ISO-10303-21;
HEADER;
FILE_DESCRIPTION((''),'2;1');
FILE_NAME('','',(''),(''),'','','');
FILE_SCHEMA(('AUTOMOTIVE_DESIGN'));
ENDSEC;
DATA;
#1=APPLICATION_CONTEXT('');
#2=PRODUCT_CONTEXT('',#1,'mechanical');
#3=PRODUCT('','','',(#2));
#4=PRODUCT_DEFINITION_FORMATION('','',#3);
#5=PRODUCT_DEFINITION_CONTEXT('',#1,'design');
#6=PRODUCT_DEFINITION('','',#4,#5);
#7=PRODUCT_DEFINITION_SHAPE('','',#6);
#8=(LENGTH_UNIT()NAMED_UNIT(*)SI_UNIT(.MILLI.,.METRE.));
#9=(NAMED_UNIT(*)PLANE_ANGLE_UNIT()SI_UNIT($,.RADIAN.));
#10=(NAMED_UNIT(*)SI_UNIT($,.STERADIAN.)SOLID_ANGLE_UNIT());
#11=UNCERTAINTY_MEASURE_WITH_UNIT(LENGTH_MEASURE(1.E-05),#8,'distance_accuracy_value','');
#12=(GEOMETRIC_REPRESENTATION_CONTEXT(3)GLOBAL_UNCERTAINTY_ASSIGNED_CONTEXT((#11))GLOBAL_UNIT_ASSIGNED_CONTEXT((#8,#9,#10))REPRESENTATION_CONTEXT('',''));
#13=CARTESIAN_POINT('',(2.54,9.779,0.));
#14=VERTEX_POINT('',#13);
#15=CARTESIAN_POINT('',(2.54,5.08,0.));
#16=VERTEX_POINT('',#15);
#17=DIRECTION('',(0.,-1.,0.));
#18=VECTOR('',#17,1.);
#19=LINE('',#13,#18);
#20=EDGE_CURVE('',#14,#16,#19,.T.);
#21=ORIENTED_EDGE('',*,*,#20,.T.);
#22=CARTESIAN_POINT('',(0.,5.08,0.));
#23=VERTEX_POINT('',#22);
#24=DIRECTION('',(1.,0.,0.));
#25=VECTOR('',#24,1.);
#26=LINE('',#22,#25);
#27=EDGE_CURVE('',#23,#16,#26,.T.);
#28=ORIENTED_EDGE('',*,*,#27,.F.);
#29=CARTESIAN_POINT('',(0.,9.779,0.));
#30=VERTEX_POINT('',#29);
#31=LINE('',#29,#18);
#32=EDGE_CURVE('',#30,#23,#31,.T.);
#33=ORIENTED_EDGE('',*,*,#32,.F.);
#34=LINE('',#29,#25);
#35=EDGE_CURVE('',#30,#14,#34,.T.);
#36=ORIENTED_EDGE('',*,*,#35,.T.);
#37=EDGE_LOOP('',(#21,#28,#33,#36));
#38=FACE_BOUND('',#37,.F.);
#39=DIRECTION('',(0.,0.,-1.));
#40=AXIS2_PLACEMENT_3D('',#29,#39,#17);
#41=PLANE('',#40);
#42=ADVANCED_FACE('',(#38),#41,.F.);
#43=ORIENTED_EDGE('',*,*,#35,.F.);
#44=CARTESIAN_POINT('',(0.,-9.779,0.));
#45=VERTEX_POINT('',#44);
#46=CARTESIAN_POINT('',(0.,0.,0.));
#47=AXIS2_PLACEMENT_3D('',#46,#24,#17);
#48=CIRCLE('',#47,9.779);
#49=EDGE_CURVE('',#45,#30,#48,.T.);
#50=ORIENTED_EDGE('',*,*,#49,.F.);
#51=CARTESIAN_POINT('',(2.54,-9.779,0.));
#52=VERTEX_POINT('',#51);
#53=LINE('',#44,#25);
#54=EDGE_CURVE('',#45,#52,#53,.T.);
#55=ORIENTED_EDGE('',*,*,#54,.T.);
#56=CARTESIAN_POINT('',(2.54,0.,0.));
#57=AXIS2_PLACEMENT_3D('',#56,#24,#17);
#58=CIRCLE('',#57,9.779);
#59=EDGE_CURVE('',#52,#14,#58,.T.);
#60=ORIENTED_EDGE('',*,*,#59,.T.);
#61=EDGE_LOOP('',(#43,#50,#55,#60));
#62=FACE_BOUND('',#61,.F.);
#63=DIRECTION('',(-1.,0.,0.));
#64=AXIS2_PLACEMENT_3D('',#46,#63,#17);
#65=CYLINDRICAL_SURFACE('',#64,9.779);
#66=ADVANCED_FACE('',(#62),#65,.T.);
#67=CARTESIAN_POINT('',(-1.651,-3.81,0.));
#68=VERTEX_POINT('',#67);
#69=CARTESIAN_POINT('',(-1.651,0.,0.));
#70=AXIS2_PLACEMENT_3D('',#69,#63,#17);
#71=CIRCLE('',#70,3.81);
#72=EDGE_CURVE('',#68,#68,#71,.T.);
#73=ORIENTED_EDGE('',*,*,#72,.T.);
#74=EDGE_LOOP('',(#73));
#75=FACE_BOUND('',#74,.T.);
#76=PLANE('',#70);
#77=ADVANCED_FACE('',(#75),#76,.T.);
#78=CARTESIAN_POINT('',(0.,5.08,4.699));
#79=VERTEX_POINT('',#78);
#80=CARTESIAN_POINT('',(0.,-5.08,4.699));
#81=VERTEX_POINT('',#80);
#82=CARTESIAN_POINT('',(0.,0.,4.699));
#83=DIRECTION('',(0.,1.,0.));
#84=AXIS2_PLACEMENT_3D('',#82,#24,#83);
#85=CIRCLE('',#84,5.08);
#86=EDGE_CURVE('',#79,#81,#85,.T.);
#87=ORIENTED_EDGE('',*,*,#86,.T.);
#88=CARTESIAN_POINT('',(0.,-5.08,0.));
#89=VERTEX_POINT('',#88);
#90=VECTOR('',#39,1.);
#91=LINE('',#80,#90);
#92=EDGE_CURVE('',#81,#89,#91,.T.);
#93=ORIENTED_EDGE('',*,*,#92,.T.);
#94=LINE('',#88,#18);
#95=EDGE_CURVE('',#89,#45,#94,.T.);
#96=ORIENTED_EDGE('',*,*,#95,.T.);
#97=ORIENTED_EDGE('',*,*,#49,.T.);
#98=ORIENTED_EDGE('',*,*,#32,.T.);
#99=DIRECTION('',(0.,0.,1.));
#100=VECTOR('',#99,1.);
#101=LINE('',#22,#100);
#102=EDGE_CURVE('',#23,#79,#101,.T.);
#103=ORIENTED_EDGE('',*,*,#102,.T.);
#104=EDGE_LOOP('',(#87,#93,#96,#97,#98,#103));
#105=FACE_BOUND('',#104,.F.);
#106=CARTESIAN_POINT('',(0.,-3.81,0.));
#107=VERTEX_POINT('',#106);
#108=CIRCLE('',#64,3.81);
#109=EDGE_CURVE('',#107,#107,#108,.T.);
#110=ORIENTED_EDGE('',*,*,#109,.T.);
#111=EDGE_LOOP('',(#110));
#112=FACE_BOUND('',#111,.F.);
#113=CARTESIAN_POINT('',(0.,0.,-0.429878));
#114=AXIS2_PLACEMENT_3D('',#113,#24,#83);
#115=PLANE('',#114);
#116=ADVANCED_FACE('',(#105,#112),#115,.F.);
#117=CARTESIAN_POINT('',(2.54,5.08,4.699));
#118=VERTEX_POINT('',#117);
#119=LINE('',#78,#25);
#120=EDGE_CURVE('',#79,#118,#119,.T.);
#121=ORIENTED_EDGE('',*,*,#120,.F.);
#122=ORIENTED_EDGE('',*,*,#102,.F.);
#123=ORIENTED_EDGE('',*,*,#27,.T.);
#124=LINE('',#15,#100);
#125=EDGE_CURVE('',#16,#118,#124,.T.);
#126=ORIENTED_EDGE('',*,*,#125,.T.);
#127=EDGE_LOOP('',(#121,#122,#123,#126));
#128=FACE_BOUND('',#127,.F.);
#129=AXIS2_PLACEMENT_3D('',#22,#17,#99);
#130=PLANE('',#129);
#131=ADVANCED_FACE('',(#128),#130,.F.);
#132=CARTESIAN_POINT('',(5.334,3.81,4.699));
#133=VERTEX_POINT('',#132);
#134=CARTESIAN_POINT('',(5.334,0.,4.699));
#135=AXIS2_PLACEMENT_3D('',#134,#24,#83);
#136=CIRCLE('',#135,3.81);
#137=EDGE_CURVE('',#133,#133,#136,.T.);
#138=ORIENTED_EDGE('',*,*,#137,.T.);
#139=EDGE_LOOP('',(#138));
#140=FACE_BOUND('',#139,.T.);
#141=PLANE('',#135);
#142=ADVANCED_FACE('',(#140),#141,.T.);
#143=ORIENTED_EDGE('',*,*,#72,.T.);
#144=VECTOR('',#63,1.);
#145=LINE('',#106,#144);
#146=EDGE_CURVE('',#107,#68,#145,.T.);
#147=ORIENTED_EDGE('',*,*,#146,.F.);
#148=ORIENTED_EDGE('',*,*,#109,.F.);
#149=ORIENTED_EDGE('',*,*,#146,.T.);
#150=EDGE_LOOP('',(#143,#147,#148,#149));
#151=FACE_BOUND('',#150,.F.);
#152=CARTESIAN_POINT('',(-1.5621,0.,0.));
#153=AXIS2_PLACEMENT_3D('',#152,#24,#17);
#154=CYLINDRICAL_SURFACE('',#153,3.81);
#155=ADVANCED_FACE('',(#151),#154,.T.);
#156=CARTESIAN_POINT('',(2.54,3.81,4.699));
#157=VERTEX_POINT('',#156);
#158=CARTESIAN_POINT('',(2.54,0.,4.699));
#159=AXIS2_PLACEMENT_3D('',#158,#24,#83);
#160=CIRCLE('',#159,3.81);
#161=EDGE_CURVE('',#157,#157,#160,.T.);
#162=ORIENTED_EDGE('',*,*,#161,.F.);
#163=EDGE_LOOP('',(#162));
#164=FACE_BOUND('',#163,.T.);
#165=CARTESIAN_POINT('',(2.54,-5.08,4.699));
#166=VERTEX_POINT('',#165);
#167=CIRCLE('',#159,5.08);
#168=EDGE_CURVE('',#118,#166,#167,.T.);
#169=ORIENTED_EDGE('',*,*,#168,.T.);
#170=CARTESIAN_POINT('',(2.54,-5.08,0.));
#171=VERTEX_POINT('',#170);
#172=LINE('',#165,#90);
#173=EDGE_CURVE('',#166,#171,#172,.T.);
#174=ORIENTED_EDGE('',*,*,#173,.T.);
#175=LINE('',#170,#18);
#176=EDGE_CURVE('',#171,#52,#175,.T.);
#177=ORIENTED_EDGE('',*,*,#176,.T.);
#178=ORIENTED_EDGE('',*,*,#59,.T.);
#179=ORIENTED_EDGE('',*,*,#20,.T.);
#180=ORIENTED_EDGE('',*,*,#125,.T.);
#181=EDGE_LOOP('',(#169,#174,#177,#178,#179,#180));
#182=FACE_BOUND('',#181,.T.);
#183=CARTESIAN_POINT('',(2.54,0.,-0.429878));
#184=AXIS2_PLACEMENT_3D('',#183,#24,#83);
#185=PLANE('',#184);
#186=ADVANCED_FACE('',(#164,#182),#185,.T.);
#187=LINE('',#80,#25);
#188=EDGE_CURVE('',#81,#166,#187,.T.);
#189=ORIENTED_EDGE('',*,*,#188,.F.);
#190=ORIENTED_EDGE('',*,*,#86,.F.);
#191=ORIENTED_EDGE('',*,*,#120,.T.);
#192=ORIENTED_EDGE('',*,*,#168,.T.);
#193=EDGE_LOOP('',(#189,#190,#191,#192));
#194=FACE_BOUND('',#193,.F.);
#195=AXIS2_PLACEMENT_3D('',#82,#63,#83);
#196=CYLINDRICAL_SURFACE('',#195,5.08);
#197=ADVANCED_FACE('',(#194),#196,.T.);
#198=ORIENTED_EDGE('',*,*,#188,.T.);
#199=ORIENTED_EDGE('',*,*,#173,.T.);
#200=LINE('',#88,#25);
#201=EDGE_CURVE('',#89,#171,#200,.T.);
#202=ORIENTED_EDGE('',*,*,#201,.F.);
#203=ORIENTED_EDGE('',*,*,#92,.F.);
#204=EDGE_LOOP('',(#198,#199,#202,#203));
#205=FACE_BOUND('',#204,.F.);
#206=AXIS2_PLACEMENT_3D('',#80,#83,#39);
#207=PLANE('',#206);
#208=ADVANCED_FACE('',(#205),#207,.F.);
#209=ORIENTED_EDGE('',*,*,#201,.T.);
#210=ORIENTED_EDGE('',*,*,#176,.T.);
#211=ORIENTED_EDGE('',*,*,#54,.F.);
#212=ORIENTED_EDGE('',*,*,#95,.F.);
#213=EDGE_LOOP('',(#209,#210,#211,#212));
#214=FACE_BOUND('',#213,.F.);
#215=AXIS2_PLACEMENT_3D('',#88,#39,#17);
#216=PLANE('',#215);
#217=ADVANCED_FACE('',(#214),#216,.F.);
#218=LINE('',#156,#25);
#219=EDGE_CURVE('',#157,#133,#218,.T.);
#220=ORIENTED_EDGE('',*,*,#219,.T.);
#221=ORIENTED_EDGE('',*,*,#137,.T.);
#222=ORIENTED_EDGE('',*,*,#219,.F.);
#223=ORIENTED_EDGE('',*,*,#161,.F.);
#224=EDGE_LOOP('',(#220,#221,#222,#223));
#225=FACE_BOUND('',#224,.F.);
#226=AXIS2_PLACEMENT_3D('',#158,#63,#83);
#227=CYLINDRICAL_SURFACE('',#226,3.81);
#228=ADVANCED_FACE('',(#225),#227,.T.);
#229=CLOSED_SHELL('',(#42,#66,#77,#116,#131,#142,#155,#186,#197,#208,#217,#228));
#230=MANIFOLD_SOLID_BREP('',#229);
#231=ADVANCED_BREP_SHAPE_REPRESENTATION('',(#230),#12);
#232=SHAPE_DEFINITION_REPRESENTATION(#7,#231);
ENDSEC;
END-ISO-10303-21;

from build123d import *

# Parameters (mm, degrees)
F1_DEPTH  = 2.54
F2_R      = 3.81
F3_DEPTH  = 2.794
F4_R      = 3.81
F5_DEPTH  = 1.5621
F5_FACE_R = 3.81
F6_DEPTH  = 0.0889


with BuildPart() as f1:
    # F0 (on Right) → F1 (new body)
    with BuildSketch(Plane.YZ):
        with BuildLine():
            Line((5.08, 0), (5.08, 4.699))
            ThreePointArc((5.08, 4.699), (0, 9.779), (-5.08, 4.699))
            Line((-5.08, 4.699), (-5.08, 0))
            Line((-5.08, 0), (-9.779, 0))
            ThreePointArc((-9.779, 0), (0, -9.779), (9.779, 0))
            Line((9.779, 0), (5.08, 0))
        make_face()
    extrude(amount=F1_DEPTH)

    # F2 (on face) → F3 (join)
    with BuildSketch(Plane.YZ.offset(2.54)):
        with Locations((0, 4.699)):
            Circle(F2_R)
    extrude(amount=F3_DEPTH)

    # F4 (on face) → F5 (join)
    with BuildSketch(Plane(origin=(0, 0, 0), x_dir=(0, -1, 0), z_dir=(-1, 0, 0))):
        Circle(F4_R)
    extrude(amount=F5_DEPTH)

    # F5_face (on face) → F6 (join)
    with BuildSketch(Plane(origin=(-1.5621, 0, 0), x_dir=(0, -1, 0), z_dir=(-1, 0, 0))):
        Circle(F5_FACE_R)
    extrude(amount=F6_DEPTH)


solid = f1.part
